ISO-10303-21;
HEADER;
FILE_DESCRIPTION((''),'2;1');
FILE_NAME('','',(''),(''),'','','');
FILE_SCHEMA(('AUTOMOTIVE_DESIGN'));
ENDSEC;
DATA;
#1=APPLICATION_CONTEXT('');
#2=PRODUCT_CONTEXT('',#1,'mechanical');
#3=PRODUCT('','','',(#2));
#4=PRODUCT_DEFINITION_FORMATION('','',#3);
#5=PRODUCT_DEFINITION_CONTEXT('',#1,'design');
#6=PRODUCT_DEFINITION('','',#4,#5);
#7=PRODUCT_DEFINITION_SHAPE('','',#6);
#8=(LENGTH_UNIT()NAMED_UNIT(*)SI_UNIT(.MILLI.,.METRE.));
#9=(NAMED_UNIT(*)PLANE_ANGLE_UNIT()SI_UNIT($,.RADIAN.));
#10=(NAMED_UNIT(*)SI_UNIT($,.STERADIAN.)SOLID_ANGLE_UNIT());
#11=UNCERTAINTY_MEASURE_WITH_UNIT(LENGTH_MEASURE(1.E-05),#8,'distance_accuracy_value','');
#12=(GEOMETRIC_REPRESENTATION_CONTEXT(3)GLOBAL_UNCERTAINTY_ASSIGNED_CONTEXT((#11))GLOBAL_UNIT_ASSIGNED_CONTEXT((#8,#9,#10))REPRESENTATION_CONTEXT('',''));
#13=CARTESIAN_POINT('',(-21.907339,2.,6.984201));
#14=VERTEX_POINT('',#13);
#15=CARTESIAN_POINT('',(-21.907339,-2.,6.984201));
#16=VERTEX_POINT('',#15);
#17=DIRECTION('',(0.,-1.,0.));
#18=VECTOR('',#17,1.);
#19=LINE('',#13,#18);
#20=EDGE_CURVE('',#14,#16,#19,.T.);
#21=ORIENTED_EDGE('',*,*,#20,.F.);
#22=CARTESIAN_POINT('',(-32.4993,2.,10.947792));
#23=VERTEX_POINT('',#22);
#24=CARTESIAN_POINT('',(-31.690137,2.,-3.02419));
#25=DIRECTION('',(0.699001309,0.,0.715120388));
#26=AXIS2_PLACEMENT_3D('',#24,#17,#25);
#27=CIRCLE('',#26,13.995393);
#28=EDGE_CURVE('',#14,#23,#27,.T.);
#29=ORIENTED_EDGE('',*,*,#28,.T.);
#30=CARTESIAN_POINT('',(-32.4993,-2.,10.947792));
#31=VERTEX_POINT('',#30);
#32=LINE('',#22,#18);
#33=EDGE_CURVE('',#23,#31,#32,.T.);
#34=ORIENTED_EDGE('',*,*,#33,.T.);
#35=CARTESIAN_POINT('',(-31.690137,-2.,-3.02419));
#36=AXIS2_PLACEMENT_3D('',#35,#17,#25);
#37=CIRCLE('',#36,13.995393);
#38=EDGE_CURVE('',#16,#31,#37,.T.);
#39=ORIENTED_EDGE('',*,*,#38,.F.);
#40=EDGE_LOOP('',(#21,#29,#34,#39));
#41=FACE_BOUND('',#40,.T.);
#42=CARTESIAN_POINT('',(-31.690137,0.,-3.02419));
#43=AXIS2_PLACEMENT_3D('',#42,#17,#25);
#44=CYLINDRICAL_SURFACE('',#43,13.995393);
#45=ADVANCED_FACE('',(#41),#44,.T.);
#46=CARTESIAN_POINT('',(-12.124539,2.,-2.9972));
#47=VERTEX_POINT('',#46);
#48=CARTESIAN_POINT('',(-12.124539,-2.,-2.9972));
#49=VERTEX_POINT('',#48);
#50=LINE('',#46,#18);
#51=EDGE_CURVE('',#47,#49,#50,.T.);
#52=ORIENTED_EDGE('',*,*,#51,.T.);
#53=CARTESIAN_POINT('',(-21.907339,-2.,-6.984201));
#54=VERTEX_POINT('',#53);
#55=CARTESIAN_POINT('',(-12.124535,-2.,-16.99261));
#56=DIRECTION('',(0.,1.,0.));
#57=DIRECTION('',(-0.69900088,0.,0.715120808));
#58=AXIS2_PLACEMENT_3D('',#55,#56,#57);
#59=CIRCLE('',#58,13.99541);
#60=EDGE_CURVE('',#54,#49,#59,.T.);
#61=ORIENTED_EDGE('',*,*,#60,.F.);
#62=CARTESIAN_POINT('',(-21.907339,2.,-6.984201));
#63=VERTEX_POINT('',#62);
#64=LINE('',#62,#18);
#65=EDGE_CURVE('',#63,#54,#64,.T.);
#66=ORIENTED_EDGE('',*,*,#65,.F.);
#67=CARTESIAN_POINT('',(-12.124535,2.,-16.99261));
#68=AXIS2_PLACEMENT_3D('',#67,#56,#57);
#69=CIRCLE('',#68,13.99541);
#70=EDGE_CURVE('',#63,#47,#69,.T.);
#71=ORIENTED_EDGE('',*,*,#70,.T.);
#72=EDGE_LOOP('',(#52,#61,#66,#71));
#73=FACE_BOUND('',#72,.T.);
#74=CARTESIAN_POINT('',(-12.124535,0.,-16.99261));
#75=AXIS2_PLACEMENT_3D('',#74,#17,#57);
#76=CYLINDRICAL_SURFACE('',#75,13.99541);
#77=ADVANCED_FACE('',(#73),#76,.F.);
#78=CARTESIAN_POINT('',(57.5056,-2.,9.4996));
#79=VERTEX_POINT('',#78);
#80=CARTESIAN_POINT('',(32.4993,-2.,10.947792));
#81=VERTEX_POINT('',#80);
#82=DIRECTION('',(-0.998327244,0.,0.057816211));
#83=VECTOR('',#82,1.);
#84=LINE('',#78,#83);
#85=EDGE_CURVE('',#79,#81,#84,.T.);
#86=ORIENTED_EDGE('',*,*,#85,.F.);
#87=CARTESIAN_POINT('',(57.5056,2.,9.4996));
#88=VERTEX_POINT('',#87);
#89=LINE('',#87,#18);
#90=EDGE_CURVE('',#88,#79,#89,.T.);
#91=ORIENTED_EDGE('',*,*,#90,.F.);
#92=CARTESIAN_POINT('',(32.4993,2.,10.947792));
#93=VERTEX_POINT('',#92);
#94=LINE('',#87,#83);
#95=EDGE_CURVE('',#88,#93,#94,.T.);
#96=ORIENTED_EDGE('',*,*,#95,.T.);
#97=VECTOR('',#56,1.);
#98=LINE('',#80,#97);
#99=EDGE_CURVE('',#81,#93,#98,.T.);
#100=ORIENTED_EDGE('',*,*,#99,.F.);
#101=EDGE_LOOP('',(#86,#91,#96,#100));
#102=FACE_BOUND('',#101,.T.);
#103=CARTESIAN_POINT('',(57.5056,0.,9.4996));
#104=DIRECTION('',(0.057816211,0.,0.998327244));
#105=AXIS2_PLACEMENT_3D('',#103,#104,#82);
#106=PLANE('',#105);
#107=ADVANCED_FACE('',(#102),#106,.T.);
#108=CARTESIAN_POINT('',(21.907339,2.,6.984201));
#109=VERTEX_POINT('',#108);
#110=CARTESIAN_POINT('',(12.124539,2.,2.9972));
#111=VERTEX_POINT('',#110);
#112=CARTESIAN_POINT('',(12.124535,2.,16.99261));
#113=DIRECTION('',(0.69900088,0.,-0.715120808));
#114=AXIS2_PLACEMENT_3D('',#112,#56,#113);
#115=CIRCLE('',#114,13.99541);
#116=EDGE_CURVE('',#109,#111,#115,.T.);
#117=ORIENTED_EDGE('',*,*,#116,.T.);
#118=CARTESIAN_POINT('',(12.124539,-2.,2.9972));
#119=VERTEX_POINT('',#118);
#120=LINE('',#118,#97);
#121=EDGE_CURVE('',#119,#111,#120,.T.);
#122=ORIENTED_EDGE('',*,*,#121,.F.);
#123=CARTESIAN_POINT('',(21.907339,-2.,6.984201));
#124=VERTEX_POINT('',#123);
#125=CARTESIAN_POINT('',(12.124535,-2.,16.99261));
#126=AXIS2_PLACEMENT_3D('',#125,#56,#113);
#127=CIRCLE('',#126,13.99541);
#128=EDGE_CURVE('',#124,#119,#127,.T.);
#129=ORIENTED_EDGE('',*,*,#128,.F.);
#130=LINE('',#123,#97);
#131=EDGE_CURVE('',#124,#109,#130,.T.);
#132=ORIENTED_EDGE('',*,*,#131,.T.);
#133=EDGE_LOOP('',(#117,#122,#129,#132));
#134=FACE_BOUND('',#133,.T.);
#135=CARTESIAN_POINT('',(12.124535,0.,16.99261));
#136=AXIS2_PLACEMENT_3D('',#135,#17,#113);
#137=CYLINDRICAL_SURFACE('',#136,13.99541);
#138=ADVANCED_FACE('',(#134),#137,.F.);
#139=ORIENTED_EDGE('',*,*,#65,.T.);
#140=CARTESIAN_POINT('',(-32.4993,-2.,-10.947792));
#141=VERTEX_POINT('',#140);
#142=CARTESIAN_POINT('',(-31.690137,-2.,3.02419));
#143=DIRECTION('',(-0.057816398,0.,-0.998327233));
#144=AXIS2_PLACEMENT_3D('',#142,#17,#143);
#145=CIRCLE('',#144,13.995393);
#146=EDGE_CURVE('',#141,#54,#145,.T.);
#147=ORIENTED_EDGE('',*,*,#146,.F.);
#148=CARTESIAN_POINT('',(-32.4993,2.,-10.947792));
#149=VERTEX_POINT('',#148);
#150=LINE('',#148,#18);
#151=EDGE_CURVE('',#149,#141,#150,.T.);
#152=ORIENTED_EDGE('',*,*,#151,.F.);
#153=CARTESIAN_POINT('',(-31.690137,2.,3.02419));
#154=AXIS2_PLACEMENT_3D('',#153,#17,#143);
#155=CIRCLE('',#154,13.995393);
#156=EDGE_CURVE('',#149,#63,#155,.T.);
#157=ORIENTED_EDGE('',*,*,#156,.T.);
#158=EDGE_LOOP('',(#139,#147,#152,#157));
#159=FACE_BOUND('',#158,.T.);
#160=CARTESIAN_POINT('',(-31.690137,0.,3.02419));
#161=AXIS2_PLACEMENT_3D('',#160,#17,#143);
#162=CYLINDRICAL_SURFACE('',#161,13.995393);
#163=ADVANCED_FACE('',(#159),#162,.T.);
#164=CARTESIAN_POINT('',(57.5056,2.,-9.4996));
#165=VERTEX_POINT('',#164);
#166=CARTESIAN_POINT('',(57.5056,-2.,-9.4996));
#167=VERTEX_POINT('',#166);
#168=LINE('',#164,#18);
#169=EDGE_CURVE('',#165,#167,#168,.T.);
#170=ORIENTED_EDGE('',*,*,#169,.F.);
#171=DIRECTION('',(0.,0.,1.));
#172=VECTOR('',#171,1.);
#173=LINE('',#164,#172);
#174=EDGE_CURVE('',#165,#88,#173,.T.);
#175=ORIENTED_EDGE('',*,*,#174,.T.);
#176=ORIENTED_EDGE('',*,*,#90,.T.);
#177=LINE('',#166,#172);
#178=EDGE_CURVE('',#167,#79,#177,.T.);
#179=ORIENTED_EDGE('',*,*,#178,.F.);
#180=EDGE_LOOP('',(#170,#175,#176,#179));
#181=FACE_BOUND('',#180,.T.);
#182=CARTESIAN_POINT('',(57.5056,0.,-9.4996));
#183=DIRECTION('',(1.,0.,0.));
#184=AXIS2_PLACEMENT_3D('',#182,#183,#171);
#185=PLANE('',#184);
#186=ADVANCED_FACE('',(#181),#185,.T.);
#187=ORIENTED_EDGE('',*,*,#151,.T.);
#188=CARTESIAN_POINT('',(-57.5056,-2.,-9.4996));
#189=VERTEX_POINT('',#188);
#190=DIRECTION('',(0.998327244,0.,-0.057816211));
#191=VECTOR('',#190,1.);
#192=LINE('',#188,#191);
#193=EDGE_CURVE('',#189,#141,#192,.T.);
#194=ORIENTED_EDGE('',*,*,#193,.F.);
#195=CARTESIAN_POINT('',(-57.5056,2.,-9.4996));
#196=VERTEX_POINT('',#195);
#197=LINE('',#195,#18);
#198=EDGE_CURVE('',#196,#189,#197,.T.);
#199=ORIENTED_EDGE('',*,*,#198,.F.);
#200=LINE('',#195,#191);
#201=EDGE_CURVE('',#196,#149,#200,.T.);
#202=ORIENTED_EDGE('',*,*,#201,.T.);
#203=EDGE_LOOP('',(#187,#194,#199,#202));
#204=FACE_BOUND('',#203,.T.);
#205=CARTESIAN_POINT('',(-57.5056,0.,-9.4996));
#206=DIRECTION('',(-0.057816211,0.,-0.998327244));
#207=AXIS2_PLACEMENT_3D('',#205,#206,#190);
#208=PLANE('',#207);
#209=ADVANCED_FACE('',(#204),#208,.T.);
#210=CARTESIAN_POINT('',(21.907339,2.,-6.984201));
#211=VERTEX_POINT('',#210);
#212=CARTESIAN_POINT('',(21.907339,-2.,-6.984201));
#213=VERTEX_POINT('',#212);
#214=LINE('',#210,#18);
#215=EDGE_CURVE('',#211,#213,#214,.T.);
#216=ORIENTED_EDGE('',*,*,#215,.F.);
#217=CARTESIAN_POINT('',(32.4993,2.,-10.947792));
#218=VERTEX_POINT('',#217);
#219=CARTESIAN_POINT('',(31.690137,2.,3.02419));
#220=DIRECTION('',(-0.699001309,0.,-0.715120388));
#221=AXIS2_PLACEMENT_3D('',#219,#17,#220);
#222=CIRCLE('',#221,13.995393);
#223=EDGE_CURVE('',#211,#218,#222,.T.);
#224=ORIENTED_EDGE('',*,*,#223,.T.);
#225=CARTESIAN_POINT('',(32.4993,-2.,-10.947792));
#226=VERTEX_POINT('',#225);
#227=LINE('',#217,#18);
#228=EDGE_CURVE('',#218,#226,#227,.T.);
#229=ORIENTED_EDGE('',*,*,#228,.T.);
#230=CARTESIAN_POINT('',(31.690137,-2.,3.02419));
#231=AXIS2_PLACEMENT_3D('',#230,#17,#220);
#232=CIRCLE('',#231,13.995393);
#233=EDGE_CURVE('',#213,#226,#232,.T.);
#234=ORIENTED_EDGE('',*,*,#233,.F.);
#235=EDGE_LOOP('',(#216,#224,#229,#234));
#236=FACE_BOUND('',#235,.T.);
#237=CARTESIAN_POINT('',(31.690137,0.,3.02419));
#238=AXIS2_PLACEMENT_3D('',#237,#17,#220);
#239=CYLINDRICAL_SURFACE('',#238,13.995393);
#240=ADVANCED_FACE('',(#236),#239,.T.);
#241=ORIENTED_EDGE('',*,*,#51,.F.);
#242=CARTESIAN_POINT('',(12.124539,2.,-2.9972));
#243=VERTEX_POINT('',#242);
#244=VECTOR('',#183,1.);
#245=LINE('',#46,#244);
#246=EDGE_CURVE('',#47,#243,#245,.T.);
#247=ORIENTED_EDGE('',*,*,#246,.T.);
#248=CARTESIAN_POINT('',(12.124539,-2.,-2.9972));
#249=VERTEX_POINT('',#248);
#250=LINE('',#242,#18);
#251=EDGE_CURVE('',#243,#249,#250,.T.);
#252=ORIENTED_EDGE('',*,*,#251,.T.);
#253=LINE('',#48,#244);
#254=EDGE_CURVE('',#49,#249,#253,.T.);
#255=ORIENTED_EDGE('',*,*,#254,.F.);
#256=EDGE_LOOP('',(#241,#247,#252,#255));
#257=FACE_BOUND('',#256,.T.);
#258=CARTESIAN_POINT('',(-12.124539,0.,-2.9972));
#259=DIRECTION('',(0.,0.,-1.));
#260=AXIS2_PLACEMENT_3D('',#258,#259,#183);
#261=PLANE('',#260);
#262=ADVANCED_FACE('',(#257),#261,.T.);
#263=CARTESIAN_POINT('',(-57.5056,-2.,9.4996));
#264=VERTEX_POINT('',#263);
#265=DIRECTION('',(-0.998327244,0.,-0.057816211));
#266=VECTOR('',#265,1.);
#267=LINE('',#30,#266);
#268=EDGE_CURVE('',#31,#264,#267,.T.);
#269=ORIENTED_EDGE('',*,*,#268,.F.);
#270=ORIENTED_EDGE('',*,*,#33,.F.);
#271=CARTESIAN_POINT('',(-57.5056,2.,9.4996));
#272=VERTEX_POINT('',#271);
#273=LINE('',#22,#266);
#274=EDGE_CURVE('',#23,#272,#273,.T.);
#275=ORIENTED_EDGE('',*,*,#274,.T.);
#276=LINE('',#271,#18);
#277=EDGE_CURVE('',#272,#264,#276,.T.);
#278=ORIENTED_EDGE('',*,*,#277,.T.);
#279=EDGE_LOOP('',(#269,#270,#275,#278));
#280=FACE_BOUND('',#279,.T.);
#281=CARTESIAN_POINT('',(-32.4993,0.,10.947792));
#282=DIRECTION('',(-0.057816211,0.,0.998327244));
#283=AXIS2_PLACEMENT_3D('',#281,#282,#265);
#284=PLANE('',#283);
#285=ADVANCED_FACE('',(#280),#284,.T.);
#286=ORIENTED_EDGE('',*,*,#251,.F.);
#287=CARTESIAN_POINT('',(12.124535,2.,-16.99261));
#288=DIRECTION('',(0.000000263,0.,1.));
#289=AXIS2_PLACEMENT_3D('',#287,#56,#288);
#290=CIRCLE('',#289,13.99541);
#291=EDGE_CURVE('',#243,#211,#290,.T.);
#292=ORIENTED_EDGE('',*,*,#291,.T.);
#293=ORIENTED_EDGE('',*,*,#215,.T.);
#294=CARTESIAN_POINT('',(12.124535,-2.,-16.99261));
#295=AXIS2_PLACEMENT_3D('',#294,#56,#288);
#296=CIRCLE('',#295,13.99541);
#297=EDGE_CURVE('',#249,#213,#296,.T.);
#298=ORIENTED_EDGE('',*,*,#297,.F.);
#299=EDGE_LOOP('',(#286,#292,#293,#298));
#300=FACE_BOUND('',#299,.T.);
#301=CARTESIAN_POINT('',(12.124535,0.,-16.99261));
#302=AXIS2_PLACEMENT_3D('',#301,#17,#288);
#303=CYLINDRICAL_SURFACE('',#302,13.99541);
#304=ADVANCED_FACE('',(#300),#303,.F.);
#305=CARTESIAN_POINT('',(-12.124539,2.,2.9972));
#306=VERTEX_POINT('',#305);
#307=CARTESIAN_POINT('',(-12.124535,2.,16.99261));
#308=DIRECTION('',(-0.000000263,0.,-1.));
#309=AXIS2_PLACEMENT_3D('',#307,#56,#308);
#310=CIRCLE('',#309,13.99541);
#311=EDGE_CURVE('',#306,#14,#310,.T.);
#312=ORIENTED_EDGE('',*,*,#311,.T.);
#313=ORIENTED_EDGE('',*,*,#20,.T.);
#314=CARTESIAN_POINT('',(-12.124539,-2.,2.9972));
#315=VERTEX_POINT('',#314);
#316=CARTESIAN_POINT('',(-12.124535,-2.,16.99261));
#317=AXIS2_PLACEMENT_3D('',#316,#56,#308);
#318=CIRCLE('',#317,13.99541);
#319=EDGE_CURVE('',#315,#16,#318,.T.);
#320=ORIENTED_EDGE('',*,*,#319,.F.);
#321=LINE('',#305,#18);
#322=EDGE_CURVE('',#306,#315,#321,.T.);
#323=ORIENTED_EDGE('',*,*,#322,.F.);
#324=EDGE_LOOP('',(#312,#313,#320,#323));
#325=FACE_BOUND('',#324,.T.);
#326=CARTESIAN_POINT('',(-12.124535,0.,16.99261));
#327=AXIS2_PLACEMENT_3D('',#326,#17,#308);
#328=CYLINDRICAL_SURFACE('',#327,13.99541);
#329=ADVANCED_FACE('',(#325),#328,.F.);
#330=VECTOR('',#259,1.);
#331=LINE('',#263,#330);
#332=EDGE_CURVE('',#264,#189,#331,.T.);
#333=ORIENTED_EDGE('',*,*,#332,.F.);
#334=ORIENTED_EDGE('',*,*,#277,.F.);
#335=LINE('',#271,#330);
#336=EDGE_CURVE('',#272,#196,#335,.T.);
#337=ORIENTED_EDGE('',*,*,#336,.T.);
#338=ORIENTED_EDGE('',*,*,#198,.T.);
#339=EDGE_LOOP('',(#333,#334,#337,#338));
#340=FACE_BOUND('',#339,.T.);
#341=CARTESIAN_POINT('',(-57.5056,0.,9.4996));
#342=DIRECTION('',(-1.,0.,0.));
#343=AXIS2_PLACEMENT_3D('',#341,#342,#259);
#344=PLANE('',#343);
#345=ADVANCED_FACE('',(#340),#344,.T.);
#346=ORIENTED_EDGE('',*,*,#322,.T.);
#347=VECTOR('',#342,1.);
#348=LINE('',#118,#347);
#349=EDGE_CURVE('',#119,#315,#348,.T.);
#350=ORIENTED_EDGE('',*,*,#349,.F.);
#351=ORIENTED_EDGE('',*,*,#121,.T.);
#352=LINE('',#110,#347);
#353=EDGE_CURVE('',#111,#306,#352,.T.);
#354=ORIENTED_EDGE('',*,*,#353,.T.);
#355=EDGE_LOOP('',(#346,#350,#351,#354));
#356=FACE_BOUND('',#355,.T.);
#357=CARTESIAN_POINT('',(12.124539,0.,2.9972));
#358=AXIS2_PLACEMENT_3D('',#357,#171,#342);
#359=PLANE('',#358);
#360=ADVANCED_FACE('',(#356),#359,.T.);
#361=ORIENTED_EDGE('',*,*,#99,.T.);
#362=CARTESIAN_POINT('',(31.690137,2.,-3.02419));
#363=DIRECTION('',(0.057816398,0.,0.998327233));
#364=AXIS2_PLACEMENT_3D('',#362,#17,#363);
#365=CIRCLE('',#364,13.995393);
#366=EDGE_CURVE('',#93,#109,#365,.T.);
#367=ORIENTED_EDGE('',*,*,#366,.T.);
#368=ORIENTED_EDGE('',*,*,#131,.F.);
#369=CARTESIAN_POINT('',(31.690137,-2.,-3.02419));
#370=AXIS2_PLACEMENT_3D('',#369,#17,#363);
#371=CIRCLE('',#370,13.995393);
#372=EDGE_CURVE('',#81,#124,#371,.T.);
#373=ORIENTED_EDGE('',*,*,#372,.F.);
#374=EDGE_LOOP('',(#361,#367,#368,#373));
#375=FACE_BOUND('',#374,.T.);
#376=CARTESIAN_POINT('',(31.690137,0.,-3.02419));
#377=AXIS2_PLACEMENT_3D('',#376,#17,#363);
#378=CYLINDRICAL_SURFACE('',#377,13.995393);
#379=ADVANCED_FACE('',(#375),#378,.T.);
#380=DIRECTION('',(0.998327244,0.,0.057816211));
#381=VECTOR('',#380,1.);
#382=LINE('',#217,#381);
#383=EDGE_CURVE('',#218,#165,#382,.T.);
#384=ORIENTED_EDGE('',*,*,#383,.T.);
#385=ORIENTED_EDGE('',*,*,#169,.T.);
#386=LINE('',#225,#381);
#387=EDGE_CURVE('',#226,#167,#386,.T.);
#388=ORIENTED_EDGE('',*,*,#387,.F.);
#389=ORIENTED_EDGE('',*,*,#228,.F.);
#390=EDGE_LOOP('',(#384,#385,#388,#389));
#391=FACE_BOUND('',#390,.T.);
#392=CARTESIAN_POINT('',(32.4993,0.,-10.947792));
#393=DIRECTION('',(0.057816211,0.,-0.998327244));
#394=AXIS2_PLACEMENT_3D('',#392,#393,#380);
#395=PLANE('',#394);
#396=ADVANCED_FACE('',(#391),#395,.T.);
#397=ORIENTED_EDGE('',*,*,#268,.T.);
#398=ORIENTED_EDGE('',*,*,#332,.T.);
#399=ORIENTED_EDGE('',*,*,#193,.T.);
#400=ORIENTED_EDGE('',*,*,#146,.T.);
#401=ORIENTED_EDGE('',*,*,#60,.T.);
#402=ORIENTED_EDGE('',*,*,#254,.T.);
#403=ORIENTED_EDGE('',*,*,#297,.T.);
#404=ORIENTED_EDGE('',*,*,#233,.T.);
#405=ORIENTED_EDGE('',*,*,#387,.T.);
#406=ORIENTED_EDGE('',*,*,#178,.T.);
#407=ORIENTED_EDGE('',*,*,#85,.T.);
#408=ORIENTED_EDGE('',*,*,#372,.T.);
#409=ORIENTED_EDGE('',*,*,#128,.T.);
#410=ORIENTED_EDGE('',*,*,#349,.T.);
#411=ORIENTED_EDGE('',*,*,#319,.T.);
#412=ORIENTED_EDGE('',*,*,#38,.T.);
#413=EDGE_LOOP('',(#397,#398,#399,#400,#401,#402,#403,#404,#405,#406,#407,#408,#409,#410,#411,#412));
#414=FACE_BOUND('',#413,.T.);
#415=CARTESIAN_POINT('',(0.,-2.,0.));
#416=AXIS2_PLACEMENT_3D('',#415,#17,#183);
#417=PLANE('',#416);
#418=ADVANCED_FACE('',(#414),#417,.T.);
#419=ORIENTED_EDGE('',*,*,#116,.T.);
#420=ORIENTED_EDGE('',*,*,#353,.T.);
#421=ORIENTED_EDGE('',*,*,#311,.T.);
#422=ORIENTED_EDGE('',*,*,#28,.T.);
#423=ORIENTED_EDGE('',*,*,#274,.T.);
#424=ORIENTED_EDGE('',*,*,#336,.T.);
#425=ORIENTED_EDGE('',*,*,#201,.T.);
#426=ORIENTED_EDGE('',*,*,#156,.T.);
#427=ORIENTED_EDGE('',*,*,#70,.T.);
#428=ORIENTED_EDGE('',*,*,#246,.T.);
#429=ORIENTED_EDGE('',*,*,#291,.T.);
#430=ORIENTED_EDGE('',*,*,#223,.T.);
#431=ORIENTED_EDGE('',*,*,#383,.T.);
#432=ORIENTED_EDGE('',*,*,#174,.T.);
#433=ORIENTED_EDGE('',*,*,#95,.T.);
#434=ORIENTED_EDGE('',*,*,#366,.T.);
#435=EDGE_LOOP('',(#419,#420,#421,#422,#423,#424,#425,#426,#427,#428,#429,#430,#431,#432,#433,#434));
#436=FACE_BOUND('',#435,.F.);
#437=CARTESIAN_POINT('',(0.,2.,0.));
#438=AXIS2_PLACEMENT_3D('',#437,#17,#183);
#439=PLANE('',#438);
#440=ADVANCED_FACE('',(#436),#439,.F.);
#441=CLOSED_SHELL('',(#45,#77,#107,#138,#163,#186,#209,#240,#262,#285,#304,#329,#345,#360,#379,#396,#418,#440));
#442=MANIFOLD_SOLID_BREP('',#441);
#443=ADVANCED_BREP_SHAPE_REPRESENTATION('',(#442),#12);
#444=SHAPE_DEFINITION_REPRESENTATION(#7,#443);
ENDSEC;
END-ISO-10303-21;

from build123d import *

# Parameters (mm, degrees)
F1_DEPTH = 2


with BuildPart() as f1:
    # F0 (on Front) → F1 (new body, symmetric)
    with BuildSketch(Plane.XZ):
        with BuildLine():
            Line((12.124539, 2.9972), (0, 2.9972))
            Line((0, 2.9972), (-12.124539, 2.9972))
            ThreePointArc((-12.124539, 2.9972), (-17.406568, 4.032223), (-21.907339, 6.984201))
            ThreePointArc((-21.907339, 6.984201), (-26.785135, 10.083517), (-32.4993, 10.947792))
            Line((-32.4993, 10.947792), (-57.5056, 9.4996))
            Line((-57.5056, 9.4996), (-57.5056, 0))
            Line((-57.5056, 0), (-57.5056, -9.4996))
            Line((-57.5056, -9.4996), (-32.4993, -10.947792))
            ThreePointArc((-32.4993, -10.947792), (-26.785135, -10.083517), (-21.907339, -6.984201))
            ThreePointArc((-21.907339, -6.984201), (-17.406568, -4.032223), (-12.124539, -2.9972))
            Line((-12.124539, -2.9972), (0, -2.9972))
            Line((0, -2.9972), (12.124539, -2.9972))
            ThreePointArc((12.124539, -2.9972), (17.406568, -4.032223), (21.907339, -6.984201))
            ThreePointArc((21.907339, -6.984201), (26.785135, -10.083517), (32.4993, -10.947792))
            Line((32.4993, -10.947792), (57.5056, -9.4996))
            Line((57.5056, -9.4996), (57.5056, 0))
            Line((57.5056, 0), (57.5056, 9.4996))
            Line((57.5056, 9.4996), (32.4993, 10.947792))
            ThreePointArc((32.4993, 10.947792), (26.785135, 10.083517), (21.907339, 6.984201))
            ThreePointArc((21.907339, 6.984201), (17.406568, 4.032223), (12.124539, 2.9972))
        make_face()
    extrude(amount=F1_DEPTH, both=True)


solid = f1.part
